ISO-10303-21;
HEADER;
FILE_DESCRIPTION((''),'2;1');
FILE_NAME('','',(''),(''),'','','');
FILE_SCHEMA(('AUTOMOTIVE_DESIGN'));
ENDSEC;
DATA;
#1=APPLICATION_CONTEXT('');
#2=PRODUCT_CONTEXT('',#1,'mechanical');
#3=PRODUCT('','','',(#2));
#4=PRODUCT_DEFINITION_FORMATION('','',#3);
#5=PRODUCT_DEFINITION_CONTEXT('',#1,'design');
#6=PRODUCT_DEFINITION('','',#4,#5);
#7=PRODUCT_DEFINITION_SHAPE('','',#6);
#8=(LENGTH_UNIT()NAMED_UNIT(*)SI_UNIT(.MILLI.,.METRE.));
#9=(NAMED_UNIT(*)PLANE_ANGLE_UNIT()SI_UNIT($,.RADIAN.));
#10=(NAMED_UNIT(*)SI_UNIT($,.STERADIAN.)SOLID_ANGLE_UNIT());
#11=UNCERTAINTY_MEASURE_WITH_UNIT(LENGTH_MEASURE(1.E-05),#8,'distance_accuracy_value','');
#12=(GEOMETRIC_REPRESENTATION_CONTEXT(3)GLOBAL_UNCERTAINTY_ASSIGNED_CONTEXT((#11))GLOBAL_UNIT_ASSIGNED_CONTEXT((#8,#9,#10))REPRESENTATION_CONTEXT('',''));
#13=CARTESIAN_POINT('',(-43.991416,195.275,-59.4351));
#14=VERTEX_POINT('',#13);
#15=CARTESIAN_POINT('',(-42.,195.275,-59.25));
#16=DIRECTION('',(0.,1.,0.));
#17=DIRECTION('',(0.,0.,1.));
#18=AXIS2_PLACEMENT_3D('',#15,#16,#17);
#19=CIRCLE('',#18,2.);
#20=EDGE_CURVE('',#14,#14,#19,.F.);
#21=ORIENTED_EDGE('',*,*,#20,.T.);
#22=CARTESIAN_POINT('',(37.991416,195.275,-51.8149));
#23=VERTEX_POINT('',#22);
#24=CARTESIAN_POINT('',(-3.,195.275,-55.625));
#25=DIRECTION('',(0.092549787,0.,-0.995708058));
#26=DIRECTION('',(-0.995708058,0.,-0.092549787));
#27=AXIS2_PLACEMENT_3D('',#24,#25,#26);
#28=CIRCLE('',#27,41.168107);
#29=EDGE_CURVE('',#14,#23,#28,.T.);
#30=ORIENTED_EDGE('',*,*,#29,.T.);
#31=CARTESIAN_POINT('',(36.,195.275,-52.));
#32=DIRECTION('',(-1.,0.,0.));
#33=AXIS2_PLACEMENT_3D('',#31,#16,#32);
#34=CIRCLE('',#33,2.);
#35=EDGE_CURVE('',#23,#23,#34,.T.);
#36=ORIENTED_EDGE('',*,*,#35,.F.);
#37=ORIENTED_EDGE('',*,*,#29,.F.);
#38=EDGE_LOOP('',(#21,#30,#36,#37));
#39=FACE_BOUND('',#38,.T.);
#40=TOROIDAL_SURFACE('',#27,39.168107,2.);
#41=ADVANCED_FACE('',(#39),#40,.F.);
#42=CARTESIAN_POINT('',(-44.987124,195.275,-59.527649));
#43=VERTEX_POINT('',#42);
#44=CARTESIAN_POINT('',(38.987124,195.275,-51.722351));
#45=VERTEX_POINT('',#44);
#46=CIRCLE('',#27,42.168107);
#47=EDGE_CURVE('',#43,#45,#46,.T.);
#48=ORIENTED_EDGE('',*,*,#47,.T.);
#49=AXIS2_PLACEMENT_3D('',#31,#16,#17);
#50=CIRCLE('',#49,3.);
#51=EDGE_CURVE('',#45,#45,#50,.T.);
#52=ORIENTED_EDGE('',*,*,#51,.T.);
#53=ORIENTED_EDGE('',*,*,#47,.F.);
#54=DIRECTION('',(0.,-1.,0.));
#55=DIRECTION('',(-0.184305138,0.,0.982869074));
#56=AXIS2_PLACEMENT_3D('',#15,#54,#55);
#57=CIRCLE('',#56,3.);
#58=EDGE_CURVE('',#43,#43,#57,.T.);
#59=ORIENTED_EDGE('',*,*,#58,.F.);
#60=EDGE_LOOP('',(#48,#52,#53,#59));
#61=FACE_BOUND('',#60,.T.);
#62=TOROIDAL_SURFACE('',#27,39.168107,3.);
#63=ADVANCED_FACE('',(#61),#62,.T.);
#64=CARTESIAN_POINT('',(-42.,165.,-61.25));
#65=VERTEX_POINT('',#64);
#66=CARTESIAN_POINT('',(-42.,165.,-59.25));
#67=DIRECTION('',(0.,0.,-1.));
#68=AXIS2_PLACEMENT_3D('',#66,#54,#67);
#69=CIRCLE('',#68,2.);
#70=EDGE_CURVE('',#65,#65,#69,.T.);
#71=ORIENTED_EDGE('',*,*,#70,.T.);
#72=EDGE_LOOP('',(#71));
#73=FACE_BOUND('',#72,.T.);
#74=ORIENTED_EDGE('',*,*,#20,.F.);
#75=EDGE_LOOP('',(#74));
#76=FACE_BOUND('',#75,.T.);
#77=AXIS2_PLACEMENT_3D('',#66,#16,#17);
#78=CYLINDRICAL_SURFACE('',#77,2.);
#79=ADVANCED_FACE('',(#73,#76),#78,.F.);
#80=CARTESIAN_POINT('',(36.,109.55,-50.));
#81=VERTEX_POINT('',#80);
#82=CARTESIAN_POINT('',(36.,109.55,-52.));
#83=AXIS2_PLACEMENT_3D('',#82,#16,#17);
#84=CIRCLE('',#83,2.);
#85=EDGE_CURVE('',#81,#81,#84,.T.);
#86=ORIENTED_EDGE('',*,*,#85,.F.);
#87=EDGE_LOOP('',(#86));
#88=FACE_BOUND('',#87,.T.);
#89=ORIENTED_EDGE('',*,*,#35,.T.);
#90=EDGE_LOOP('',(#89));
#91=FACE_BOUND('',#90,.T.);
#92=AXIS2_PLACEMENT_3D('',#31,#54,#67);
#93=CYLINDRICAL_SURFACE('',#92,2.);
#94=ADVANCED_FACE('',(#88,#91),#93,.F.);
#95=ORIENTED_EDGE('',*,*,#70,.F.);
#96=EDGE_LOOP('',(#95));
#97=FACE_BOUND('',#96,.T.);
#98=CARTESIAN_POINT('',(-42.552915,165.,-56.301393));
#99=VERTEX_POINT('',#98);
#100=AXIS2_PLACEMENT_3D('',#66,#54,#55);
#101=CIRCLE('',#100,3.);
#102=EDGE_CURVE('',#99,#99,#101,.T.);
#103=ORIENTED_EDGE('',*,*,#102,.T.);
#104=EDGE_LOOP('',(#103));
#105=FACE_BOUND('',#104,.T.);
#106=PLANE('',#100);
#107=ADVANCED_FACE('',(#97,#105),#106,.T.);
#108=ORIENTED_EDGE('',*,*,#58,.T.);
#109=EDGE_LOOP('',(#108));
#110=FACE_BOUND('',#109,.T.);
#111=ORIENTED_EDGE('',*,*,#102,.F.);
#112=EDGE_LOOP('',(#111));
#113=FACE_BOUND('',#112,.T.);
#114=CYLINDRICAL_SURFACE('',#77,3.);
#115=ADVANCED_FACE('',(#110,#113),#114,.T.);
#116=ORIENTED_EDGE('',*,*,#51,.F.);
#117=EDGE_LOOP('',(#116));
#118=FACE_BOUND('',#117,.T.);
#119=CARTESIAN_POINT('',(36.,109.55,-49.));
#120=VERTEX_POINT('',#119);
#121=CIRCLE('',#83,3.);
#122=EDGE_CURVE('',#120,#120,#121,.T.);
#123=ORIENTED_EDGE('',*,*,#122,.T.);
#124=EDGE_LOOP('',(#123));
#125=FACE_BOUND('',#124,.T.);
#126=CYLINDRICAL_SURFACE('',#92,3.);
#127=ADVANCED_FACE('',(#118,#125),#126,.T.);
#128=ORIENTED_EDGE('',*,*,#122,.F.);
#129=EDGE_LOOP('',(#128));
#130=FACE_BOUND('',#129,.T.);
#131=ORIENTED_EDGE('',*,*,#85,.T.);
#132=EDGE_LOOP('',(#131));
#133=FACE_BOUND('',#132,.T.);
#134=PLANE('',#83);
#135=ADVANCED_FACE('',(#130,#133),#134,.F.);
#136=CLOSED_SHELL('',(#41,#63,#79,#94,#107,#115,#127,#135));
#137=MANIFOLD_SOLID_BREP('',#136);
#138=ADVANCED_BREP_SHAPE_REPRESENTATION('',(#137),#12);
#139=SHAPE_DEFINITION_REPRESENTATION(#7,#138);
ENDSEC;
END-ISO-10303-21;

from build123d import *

# Parameters (mm, degrees)
BALAYAGE_MINCE1_PROFILE_R   = 3
BALAYAGE_MINCE1_PROFILE_R_2 = 2


with BuildPart() as part:
    # Balayage-Mince1: sweep along a curve in space
    with BuildLine() as balayage_mince1_path:
        Line((-42, 165, -59.25), (-42, 195.275, -59.25))
        ThreePointArc((-42, 195.275, -59.25), (-3, 234.443107243, -55.625), (36, 195.275, -52))
        Line((36, 195.275, -52), (36, 109.55, -52))
    # Balayage-Mince1 profile (on start of the path) → Balayage-Mince1 (sweep)
    with BuildSketch(Plane(origin=(-42, 165, -59.25), x_dir=(0, 0, 1), z_dir=(0, 1, 0))):
        Circle(BALAYAGE_MINCE1_PROFILE_R)
        Circle(BALAYAGE_MINCE1_PROFILE_R_2, mode=Mode.SUBTRACT)
    sweep(path=balayage_mince1_path.line)


solid = part.part
